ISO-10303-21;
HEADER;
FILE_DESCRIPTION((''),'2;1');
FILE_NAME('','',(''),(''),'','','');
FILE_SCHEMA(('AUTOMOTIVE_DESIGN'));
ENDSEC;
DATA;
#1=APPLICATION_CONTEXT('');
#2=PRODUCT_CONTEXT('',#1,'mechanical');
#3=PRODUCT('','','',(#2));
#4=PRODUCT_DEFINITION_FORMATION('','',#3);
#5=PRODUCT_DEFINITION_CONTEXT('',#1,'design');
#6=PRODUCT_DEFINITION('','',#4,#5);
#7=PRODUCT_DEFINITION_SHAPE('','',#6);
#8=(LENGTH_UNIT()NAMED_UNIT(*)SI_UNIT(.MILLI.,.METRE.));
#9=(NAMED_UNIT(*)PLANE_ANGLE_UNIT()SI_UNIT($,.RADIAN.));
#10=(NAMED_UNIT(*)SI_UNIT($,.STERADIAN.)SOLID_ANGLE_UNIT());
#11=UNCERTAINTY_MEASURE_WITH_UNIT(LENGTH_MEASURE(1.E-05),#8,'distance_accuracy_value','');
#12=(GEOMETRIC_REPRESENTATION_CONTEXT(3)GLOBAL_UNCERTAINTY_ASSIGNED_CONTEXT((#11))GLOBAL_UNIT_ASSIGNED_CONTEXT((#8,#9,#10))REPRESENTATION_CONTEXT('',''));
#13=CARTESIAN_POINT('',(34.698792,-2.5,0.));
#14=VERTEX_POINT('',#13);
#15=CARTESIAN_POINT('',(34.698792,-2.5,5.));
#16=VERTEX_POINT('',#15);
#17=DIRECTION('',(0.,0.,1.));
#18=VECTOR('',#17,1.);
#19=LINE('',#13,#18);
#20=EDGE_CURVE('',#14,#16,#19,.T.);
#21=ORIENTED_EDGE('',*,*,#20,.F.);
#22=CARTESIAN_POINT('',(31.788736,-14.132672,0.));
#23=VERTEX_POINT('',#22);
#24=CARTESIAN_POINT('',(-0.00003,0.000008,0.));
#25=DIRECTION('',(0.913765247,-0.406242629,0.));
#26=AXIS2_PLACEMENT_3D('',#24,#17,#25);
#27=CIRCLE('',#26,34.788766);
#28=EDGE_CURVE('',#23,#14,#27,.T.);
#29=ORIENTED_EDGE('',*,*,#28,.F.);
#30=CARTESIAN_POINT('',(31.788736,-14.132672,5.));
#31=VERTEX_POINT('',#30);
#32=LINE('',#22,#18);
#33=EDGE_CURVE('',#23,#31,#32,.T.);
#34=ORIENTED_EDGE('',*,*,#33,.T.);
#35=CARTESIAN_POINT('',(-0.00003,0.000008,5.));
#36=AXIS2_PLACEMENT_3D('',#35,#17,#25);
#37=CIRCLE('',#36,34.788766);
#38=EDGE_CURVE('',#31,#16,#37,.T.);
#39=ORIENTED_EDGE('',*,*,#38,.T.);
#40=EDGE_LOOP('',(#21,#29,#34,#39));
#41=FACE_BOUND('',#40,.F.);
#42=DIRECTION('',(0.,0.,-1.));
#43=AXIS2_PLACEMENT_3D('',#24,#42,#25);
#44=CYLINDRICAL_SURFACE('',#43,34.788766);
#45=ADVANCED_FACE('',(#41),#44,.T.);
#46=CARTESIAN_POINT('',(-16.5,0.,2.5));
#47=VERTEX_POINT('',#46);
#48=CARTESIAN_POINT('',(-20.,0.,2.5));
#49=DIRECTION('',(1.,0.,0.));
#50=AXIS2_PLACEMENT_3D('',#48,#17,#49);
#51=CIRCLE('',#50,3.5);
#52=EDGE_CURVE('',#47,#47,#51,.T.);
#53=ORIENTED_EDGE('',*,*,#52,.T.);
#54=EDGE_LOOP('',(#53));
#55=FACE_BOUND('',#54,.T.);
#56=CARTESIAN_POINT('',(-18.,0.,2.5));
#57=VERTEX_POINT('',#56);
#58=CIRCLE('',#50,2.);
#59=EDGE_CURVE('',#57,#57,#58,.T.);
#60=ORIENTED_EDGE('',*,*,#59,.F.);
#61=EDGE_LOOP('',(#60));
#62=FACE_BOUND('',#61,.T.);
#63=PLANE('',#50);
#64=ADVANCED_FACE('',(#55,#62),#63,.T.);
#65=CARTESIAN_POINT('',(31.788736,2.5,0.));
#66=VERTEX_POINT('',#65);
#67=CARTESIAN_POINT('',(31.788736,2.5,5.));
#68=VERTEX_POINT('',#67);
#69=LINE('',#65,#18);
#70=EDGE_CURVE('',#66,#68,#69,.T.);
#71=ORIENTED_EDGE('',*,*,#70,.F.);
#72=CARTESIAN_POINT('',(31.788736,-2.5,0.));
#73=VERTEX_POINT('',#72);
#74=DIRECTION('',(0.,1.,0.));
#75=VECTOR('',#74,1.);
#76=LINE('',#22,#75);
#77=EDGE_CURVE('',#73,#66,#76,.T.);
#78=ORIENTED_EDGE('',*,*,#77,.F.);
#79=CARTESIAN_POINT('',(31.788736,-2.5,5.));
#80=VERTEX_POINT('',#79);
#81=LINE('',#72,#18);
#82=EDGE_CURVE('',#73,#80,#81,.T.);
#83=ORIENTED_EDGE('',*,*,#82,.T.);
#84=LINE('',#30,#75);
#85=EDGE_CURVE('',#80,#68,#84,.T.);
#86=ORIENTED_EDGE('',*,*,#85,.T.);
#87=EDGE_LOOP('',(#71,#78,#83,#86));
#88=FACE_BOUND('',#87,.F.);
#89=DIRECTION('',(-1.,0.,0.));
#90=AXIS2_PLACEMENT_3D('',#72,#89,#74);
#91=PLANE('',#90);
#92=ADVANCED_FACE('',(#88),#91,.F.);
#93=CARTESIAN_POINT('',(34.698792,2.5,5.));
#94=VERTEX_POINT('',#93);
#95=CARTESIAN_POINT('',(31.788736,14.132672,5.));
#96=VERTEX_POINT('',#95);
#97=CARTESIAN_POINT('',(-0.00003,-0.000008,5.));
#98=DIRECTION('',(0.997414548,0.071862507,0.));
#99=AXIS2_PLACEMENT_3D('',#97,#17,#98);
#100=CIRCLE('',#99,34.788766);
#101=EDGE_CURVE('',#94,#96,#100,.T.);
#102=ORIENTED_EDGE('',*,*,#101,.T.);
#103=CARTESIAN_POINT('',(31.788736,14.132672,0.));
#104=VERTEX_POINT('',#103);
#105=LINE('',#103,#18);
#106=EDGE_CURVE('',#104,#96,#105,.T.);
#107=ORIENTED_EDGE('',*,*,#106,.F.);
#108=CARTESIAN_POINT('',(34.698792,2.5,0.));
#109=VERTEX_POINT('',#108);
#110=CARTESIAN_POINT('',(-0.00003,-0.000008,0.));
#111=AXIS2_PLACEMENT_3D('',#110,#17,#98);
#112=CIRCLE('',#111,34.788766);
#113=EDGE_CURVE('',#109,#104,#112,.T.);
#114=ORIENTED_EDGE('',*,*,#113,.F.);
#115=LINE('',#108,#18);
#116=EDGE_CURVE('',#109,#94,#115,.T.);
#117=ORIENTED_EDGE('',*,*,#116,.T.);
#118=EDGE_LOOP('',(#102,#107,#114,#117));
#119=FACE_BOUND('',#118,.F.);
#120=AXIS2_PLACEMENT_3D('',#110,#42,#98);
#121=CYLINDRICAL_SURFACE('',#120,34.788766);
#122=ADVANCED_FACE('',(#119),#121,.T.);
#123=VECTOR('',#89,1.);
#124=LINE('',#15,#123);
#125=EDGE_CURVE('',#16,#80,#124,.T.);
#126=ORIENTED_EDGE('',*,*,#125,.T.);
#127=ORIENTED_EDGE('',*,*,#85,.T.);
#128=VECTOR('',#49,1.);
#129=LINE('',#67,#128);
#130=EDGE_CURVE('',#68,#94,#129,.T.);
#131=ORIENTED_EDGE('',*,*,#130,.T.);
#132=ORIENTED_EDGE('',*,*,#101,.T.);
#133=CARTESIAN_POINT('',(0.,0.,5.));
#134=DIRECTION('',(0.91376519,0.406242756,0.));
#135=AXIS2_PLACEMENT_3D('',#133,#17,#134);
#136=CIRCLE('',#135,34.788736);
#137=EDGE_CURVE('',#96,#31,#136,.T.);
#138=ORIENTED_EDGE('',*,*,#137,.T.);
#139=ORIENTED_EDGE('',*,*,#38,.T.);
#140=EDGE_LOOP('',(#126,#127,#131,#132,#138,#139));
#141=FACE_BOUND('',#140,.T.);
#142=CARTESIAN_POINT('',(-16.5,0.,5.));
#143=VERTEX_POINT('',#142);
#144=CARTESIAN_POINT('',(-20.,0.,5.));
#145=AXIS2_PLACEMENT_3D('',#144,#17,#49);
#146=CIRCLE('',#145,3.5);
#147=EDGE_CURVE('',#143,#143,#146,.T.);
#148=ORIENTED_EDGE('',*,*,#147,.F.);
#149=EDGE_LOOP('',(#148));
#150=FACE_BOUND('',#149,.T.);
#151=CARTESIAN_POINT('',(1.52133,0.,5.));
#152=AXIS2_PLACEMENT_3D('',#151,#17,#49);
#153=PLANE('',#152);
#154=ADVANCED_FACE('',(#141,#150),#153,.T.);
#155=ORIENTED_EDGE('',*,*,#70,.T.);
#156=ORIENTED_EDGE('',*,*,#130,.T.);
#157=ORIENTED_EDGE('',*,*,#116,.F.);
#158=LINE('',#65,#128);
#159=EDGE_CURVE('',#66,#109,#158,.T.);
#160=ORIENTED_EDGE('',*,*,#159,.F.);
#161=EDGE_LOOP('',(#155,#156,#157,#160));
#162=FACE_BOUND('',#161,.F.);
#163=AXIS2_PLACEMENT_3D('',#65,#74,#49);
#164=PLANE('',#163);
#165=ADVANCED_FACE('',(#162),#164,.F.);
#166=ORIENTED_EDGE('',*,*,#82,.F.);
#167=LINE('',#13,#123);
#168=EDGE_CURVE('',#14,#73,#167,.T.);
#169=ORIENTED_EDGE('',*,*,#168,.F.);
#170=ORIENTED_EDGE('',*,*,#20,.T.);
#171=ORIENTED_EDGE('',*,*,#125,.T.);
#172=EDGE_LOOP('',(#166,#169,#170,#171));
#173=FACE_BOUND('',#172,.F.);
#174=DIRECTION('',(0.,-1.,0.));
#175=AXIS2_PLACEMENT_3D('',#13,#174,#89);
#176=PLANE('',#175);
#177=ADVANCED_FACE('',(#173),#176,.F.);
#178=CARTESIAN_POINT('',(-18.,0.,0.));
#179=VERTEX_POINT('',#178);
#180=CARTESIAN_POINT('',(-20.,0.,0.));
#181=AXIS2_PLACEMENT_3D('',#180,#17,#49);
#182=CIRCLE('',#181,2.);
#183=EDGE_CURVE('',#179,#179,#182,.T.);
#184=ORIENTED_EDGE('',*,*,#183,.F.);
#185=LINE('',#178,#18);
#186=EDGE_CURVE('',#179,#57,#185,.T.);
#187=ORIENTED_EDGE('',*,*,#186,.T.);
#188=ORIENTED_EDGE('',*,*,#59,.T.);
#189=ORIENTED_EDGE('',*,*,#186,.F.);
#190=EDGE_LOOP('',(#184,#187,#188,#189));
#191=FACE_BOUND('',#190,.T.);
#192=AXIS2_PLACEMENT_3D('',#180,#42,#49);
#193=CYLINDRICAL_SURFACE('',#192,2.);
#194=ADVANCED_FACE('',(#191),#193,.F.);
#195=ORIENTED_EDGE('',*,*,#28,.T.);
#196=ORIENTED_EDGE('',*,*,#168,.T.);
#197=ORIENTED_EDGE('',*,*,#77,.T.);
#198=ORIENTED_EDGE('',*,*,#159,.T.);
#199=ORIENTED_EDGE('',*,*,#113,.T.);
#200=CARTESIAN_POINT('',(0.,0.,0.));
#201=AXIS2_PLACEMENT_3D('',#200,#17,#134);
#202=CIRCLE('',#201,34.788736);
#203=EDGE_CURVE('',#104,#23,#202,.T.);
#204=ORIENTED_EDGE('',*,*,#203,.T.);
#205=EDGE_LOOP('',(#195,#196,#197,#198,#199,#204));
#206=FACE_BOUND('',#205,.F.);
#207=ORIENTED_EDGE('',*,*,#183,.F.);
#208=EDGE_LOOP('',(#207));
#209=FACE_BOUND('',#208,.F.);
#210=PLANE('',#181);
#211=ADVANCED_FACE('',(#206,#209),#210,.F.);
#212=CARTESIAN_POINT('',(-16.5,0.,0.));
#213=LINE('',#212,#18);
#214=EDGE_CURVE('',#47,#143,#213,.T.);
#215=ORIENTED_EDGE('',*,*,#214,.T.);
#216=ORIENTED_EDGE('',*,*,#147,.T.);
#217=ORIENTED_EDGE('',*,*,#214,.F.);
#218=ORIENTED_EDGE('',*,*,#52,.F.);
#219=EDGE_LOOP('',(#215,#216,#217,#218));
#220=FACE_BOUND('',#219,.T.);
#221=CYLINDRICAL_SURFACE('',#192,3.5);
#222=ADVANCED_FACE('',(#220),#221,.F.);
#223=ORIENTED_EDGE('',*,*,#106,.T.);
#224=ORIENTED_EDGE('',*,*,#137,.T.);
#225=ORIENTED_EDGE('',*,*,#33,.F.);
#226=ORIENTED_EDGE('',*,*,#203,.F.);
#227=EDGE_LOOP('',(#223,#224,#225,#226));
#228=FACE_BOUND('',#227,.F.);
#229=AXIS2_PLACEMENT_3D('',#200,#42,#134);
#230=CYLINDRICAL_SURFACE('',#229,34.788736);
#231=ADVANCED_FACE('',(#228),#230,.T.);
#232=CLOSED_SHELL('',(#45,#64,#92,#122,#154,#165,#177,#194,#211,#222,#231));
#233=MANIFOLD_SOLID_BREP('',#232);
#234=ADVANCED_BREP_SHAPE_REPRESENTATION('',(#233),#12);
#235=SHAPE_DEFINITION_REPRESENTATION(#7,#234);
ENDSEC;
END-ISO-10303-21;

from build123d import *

# Parameters (mm, degrees)
F0_R     = 3.5
F1_DEPTH = 5
F0_R_2   = 2
F2_DEPTH = 2.5


with BuildPart() as f1:
    # F0 (on Top) → F1 (new body)
    with BuildSketch(Plane.XY):
        with BuildLine():
            Line((31.788736, 2.5), (31.788736, 14.132672))
            ThreePointArc((31.788736, 14.132672), (-34.788736, 0), (31.788736, -14.132672))
            Line((31.788736, -14.132672), (31.788736, -2.5))
            Line((31.788736, -2.5), (31.788736, 2.5))
        make_face()
        with Locations((-20, 0)):
            Circle(F0_R, mode=Mode.SUBTRACT)
        with BuildLine():
            Line((31.788736, 2.5), (34.698792, 2.5))
            ThreePointArc((34.698792, 2.5), (33.748742, 8.442662), (31.788736, 14.132672))
            Line((31.788736, 14.132672), (31.788736, 2.5))
        make_face()
        with BuildLine():
            ThreePointArc((31.788736, -14.132672), (33.748742, -8.442662), (34.698792, -2.5))
            Line((34.698792, -2.5), (31.788736, -2.5))
            Line((31.788736, -2.5), (31.788736, -14.132672))
        make_face()
    extrude(amount=F1_DEPTH)

    # F0 (on Top) → F2 (join)
    with BuildSketch(Plane.XY):
        with Locations((-20, 0)):
            Circle(F0_R)
        with Locations((-20, 0)):
            Circle(F0_R_2, mode=Mode.SUBTRACT)
    extrude(amount=F2_DEPTH)


solid = f1.part
